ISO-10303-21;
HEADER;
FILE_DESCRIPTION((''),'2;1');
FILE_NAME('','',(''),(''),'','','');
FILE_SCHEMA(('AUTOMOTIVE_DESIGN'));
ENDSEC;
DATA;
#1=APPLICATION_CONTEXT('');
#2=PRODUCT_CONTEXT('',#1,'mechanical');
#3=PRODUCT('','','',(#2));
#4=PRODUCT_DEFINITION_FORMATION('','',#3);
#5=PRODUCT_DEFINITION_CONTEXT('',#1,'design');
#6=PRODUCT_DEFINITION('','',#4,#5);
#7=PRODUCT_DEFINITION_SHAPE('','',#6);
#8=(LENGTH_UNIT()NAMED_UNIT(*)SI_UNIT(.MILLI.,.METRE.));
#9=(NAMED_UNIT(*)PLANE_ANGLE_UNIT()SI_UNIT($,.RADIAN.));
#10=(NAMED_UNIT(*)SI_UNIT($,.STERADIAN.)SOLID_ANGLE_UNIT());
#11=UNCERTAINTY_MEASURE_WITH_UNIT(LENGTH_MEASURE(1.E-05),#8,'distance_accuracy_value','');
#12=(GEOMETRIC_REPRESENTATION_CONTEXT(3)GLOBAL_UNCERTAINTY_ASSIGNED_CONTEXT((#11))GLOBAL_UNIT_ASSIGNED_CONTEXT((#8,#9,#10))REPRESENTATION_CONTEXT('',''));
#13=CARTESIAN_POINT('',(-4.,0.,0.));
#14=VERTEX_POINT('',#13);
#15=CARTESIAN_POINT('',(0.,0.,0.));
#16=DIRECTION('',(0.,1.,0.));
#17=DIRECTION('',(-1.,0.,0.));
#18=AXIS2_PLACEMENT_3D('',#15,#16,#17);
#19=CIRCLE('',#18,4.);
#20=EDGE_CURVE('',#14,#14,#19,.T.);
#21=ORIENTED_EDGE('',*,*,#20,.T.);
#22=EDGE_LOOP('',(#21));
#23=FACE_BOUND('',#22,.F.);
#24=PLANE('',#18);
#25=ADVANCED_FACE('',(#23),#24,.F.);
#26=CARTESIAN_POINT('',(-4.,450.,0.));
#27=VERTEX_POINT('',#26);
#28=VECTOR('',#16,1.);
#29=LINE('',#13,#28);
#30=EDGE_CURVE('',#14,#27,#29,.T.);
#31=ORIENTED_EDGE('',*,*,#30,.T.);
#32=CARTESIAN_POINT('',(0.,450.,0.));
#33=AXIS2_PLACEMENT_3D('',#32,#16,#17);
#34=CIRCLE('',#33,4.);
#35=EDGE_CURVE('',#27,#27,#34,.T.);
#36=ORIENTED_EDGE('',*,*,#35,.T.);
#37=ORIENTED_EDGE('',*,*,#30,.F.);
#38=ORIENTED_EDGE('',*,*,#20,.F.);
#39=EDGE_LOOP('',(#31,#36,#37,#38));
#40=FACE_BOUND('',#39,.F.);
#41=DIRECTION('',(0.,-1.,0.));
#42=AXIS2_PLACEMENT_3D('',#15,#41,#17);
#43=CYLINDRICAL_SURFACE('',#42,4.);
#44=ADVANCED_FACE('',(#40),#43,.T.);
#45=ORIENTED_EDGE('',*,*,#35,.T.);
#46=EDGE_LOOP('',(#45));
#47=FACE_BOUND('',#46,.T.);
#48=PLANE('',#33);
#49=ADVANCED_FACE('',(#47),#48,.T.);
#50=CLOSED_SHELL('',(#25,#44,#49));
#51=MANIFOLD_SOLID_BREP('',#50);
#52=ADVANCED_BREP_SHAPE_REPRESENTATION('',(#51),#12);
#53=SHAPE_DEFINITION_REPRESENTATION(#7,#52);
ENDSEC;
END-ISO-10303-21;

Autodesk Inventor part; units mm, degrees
ref_plane "YZ Plane" through (0, 0, 0) normal (1, 0, 0) x (0, 1, 0)
ref_plane "XZ Plane" through (0, 0, 0) normal (0, 1, 0) x (-1, 0, 0)
ref_plane "XY Plane" through (0, 0, 0) normal (0, 0, 1) x (1, 0, 0)
sketch "Sketch1" plane through (0, 0, 0) normal (0, 1, 0) x (-1, 0, 0)
  circle A0 centre (0, 0) radius 4
  dimension "d0" = 8
extrude "Extrusion1" add sketch "Sketch1" along normal blind 450
properties part number "fi8x450"
